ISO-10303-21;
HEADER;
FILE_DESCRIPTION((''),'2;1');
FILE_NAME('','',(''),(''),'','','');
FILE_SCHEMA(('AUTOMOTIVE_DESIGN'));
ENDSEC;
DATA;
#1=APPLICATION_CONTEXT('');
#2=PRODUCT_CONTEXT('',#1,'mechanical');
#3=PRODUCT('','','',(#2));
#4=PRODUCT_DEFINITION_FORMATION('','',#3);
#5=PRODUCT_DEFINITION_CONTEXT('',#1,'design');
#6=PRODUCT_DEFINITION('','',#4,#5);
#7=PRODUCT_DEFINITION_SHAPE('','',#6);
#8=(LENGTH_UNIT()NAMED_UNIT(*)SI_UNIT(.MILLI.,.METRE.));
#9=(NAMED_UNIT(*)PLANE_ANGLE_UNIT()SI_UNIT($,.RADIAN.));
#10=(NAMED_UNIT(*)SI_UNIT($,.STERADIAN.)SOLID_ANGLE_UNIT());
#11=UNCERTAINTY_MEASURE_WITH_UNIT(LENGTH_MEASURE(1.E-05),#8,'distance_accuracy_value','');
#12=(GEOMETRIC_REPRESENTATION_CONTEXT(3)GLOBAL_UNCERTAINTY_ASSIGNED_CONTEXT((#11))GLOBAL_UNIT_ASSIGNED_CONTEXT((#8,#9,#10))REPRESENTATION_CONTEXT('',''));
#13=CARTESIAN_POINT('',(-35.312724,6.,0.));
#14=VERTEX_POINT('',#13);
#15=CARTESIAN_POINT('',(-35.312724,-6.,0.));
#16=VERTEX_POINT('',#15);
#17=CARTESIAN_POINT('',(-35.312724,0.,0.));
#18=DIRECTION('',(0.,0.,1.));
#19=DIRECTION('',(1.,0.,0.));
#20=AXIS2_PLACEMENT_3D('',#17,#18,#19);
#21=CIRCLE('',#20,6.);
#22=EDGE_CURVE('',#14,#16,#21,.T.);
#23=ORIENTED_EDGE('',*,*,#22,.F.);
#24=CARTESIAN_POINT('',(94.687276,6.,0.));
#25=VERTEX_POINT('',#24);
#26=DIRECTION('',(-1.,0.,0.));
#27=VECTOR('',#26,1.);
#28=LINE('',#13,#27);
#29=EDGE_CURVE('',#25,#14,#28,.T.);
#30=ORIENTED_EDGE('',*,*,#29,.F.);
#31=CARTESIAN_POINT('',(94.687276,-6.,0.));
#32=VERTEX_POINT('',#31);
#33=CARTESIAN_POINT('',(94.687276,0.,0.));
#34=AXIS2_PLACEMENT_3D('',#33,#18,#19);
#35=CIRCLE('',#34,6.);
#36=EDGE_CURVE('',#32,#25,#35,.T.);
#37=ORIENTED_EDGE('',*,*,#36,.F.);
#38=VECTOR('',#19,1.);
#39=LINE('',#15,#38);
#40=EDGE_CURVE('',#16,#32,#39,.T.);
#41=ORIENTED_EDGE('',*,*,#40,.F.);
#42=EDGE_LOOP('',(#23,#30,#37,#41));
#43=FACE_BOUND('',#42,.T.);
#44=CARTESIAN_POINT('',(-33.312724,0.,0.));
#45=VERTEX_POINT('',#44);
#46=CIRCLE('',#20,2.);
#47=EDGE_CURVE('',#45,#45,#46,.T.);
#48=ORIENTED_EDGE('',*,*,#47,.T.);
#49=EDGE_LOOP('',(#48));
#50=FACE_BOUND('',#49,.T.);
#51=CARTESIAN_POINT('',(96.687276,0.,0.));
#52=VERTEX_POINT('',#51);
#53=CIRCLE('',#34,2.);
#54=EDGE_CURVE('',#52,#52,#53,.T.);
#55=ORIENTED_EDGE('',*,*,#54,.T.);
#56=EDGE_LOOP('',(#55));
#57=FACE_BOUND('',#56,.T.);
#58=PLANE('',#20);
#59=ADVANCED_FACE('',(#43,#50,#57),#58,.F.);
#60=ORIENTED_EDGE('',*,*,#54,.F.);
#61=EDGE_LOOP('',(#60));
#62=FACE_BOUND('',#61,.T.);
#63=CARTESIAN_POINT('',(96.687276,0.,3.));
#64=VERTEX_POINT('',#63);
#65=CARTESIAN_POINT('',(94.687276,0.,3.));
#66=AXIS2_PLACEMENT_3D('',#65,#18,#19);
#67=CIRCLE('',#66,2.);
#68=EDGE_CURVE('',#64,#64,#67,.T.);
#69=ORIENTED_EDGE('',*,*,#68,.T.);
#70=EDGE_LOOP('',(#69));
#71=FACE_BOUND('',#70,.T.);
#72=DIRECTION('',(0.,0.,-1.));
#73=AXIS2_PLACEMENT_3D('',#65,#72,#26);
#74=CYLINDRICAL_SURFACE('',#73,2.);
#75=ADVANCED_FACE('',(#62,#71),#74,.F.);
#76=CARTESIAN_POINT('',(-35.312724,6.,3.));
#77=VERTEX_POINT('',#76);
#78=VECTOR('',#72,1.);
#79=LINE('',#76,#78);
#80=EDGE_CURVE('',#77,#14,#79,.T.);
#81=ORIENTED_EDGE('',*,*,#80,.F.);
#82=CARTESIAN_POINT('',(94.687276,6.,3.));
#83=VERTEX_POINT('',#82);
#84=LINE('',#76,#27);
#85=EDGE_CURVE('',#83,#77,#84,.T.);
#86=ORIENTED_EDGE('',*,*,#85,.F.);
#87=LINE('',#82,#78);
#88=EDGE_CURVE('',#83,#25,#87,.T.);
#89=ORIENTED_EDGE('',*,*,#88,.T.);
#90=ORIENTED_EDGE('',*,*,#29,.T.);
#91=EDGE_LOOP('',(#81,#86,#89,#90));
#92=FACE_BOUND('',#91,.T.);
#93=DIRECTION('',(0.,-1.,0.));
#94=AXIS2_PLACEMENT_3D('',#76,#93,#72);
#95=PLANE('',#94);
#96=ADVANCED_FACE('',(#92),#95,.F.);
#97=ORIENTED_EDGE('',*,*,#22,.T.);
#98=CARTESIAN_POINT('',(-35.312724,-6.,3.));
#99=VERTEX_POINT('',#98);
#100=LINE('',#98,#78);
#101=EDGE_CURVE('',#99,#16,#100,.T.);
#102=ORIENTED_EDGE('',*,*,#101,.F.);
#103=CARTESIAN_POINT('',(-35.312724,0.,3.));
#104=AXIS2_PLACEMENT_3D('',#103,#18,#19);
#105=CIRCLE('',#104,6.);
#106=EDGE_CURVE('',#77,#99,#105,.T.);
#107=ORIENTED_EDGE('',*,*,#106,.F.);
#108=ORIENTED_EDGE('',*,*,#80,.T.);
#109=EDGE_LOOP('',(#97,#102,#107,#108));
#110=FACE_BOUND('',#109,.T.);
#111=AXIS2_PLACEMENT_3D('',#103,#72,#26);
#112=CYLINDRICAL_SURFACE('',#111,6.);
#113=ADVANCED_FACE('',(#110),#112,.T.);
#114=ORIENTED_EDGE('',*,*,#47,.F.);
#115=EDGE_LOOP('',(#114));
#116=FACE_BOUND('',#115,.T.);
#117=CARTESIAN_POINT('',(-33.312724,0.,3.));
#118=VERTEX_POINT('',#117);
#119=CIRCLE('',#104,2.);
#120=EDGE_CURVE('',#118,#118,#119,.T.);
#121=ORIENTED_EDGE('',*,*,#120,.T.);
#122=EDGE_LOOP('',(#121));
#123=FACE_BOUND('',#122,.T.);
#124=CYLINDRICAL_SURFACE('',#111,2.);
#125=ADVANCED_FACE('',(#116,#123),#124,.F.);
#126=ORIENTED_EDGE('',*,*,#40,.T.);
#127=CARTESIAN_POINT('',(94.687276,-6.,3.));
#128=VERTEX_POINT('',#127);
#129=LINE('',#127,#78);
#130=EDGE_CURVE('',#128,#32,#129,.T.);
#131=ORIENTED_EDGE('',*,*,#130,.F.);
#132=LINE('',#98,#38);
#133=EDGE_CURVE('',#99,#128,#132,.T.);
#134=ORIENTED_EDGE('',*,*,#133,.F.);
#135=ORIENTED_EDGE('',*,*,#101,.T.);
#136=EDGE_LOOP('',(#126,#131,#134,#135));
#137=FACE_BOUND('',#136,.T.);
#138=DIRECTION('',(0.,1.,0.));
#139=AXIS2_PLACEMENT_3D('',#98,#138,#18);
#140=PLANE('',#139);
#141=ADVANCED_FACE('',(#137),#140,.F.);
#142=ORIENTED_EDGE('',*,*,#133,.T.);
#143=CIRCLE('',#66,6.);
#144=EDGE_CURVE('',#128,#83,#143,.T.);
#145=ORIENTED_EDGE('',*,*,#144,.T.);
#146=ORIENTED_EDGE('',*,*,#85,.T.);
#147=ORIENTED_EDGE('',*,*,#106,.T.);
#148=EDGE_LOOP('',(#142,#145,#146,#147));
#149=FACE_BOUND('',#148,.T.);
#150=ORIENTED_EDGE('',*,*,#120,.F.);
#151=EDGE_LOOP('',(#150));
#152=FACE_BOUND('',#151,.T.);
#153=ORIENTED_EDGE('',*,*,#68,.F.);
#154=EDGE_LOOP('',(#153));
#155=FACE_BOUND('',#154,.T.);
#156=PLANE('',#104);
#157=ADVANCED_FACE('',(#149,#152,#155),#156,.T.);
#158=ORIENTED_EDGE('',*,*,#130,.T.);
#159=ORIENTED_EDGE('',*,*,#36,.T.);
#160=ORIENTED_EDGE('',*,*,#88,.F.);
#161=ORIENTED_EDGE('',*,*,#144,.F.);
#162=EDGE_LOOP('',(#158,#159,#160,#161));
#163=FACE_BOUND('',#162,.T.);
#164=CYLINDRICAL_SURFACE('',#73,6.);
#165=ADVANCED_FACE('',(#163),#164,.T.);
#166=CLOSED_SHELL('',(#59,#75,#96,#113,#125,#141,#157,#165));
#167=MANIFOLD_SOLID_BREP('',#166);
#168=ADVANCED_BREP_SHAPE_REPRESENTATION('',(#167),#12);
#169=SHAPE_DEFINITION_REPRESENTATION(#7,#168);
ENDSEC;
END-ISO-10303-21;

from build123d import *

# Parameters (mm, degrees)
SKETCH1_R           = 2
BOSS_EXTRUDE3_DEPTH = 3


with BuildPart() as part:
    # Sketch1 → Boss-Extrude3 (new body)
    with BuildSketch(Plane.XY):
        with BuildLine():
            Line((-35.312724167, 6), (94.687275833, 6))
            ThreePointArc((94.687275833, 6), (100.687275833, 0), (94.687275833, -6))
            Line((94.687275833, -6), (-35.312724167, -6))
            ThreePointArc((-35.312724167, -6), (-41.312724167, 0), (-35.312724167, 6))
        make_face()
        with Locations((-35.312724167, 0)):
            Circle(SKETCH1_R, mode=Mode.SUBTRACT)
        with Locations((94.687275833, 0)):
            Circle(SKETCH1_R, mode=Mode.SUBTRACT)
    extrude(amount=BOSS_EXTRUDE3_DEPTH)


solid = part.part
